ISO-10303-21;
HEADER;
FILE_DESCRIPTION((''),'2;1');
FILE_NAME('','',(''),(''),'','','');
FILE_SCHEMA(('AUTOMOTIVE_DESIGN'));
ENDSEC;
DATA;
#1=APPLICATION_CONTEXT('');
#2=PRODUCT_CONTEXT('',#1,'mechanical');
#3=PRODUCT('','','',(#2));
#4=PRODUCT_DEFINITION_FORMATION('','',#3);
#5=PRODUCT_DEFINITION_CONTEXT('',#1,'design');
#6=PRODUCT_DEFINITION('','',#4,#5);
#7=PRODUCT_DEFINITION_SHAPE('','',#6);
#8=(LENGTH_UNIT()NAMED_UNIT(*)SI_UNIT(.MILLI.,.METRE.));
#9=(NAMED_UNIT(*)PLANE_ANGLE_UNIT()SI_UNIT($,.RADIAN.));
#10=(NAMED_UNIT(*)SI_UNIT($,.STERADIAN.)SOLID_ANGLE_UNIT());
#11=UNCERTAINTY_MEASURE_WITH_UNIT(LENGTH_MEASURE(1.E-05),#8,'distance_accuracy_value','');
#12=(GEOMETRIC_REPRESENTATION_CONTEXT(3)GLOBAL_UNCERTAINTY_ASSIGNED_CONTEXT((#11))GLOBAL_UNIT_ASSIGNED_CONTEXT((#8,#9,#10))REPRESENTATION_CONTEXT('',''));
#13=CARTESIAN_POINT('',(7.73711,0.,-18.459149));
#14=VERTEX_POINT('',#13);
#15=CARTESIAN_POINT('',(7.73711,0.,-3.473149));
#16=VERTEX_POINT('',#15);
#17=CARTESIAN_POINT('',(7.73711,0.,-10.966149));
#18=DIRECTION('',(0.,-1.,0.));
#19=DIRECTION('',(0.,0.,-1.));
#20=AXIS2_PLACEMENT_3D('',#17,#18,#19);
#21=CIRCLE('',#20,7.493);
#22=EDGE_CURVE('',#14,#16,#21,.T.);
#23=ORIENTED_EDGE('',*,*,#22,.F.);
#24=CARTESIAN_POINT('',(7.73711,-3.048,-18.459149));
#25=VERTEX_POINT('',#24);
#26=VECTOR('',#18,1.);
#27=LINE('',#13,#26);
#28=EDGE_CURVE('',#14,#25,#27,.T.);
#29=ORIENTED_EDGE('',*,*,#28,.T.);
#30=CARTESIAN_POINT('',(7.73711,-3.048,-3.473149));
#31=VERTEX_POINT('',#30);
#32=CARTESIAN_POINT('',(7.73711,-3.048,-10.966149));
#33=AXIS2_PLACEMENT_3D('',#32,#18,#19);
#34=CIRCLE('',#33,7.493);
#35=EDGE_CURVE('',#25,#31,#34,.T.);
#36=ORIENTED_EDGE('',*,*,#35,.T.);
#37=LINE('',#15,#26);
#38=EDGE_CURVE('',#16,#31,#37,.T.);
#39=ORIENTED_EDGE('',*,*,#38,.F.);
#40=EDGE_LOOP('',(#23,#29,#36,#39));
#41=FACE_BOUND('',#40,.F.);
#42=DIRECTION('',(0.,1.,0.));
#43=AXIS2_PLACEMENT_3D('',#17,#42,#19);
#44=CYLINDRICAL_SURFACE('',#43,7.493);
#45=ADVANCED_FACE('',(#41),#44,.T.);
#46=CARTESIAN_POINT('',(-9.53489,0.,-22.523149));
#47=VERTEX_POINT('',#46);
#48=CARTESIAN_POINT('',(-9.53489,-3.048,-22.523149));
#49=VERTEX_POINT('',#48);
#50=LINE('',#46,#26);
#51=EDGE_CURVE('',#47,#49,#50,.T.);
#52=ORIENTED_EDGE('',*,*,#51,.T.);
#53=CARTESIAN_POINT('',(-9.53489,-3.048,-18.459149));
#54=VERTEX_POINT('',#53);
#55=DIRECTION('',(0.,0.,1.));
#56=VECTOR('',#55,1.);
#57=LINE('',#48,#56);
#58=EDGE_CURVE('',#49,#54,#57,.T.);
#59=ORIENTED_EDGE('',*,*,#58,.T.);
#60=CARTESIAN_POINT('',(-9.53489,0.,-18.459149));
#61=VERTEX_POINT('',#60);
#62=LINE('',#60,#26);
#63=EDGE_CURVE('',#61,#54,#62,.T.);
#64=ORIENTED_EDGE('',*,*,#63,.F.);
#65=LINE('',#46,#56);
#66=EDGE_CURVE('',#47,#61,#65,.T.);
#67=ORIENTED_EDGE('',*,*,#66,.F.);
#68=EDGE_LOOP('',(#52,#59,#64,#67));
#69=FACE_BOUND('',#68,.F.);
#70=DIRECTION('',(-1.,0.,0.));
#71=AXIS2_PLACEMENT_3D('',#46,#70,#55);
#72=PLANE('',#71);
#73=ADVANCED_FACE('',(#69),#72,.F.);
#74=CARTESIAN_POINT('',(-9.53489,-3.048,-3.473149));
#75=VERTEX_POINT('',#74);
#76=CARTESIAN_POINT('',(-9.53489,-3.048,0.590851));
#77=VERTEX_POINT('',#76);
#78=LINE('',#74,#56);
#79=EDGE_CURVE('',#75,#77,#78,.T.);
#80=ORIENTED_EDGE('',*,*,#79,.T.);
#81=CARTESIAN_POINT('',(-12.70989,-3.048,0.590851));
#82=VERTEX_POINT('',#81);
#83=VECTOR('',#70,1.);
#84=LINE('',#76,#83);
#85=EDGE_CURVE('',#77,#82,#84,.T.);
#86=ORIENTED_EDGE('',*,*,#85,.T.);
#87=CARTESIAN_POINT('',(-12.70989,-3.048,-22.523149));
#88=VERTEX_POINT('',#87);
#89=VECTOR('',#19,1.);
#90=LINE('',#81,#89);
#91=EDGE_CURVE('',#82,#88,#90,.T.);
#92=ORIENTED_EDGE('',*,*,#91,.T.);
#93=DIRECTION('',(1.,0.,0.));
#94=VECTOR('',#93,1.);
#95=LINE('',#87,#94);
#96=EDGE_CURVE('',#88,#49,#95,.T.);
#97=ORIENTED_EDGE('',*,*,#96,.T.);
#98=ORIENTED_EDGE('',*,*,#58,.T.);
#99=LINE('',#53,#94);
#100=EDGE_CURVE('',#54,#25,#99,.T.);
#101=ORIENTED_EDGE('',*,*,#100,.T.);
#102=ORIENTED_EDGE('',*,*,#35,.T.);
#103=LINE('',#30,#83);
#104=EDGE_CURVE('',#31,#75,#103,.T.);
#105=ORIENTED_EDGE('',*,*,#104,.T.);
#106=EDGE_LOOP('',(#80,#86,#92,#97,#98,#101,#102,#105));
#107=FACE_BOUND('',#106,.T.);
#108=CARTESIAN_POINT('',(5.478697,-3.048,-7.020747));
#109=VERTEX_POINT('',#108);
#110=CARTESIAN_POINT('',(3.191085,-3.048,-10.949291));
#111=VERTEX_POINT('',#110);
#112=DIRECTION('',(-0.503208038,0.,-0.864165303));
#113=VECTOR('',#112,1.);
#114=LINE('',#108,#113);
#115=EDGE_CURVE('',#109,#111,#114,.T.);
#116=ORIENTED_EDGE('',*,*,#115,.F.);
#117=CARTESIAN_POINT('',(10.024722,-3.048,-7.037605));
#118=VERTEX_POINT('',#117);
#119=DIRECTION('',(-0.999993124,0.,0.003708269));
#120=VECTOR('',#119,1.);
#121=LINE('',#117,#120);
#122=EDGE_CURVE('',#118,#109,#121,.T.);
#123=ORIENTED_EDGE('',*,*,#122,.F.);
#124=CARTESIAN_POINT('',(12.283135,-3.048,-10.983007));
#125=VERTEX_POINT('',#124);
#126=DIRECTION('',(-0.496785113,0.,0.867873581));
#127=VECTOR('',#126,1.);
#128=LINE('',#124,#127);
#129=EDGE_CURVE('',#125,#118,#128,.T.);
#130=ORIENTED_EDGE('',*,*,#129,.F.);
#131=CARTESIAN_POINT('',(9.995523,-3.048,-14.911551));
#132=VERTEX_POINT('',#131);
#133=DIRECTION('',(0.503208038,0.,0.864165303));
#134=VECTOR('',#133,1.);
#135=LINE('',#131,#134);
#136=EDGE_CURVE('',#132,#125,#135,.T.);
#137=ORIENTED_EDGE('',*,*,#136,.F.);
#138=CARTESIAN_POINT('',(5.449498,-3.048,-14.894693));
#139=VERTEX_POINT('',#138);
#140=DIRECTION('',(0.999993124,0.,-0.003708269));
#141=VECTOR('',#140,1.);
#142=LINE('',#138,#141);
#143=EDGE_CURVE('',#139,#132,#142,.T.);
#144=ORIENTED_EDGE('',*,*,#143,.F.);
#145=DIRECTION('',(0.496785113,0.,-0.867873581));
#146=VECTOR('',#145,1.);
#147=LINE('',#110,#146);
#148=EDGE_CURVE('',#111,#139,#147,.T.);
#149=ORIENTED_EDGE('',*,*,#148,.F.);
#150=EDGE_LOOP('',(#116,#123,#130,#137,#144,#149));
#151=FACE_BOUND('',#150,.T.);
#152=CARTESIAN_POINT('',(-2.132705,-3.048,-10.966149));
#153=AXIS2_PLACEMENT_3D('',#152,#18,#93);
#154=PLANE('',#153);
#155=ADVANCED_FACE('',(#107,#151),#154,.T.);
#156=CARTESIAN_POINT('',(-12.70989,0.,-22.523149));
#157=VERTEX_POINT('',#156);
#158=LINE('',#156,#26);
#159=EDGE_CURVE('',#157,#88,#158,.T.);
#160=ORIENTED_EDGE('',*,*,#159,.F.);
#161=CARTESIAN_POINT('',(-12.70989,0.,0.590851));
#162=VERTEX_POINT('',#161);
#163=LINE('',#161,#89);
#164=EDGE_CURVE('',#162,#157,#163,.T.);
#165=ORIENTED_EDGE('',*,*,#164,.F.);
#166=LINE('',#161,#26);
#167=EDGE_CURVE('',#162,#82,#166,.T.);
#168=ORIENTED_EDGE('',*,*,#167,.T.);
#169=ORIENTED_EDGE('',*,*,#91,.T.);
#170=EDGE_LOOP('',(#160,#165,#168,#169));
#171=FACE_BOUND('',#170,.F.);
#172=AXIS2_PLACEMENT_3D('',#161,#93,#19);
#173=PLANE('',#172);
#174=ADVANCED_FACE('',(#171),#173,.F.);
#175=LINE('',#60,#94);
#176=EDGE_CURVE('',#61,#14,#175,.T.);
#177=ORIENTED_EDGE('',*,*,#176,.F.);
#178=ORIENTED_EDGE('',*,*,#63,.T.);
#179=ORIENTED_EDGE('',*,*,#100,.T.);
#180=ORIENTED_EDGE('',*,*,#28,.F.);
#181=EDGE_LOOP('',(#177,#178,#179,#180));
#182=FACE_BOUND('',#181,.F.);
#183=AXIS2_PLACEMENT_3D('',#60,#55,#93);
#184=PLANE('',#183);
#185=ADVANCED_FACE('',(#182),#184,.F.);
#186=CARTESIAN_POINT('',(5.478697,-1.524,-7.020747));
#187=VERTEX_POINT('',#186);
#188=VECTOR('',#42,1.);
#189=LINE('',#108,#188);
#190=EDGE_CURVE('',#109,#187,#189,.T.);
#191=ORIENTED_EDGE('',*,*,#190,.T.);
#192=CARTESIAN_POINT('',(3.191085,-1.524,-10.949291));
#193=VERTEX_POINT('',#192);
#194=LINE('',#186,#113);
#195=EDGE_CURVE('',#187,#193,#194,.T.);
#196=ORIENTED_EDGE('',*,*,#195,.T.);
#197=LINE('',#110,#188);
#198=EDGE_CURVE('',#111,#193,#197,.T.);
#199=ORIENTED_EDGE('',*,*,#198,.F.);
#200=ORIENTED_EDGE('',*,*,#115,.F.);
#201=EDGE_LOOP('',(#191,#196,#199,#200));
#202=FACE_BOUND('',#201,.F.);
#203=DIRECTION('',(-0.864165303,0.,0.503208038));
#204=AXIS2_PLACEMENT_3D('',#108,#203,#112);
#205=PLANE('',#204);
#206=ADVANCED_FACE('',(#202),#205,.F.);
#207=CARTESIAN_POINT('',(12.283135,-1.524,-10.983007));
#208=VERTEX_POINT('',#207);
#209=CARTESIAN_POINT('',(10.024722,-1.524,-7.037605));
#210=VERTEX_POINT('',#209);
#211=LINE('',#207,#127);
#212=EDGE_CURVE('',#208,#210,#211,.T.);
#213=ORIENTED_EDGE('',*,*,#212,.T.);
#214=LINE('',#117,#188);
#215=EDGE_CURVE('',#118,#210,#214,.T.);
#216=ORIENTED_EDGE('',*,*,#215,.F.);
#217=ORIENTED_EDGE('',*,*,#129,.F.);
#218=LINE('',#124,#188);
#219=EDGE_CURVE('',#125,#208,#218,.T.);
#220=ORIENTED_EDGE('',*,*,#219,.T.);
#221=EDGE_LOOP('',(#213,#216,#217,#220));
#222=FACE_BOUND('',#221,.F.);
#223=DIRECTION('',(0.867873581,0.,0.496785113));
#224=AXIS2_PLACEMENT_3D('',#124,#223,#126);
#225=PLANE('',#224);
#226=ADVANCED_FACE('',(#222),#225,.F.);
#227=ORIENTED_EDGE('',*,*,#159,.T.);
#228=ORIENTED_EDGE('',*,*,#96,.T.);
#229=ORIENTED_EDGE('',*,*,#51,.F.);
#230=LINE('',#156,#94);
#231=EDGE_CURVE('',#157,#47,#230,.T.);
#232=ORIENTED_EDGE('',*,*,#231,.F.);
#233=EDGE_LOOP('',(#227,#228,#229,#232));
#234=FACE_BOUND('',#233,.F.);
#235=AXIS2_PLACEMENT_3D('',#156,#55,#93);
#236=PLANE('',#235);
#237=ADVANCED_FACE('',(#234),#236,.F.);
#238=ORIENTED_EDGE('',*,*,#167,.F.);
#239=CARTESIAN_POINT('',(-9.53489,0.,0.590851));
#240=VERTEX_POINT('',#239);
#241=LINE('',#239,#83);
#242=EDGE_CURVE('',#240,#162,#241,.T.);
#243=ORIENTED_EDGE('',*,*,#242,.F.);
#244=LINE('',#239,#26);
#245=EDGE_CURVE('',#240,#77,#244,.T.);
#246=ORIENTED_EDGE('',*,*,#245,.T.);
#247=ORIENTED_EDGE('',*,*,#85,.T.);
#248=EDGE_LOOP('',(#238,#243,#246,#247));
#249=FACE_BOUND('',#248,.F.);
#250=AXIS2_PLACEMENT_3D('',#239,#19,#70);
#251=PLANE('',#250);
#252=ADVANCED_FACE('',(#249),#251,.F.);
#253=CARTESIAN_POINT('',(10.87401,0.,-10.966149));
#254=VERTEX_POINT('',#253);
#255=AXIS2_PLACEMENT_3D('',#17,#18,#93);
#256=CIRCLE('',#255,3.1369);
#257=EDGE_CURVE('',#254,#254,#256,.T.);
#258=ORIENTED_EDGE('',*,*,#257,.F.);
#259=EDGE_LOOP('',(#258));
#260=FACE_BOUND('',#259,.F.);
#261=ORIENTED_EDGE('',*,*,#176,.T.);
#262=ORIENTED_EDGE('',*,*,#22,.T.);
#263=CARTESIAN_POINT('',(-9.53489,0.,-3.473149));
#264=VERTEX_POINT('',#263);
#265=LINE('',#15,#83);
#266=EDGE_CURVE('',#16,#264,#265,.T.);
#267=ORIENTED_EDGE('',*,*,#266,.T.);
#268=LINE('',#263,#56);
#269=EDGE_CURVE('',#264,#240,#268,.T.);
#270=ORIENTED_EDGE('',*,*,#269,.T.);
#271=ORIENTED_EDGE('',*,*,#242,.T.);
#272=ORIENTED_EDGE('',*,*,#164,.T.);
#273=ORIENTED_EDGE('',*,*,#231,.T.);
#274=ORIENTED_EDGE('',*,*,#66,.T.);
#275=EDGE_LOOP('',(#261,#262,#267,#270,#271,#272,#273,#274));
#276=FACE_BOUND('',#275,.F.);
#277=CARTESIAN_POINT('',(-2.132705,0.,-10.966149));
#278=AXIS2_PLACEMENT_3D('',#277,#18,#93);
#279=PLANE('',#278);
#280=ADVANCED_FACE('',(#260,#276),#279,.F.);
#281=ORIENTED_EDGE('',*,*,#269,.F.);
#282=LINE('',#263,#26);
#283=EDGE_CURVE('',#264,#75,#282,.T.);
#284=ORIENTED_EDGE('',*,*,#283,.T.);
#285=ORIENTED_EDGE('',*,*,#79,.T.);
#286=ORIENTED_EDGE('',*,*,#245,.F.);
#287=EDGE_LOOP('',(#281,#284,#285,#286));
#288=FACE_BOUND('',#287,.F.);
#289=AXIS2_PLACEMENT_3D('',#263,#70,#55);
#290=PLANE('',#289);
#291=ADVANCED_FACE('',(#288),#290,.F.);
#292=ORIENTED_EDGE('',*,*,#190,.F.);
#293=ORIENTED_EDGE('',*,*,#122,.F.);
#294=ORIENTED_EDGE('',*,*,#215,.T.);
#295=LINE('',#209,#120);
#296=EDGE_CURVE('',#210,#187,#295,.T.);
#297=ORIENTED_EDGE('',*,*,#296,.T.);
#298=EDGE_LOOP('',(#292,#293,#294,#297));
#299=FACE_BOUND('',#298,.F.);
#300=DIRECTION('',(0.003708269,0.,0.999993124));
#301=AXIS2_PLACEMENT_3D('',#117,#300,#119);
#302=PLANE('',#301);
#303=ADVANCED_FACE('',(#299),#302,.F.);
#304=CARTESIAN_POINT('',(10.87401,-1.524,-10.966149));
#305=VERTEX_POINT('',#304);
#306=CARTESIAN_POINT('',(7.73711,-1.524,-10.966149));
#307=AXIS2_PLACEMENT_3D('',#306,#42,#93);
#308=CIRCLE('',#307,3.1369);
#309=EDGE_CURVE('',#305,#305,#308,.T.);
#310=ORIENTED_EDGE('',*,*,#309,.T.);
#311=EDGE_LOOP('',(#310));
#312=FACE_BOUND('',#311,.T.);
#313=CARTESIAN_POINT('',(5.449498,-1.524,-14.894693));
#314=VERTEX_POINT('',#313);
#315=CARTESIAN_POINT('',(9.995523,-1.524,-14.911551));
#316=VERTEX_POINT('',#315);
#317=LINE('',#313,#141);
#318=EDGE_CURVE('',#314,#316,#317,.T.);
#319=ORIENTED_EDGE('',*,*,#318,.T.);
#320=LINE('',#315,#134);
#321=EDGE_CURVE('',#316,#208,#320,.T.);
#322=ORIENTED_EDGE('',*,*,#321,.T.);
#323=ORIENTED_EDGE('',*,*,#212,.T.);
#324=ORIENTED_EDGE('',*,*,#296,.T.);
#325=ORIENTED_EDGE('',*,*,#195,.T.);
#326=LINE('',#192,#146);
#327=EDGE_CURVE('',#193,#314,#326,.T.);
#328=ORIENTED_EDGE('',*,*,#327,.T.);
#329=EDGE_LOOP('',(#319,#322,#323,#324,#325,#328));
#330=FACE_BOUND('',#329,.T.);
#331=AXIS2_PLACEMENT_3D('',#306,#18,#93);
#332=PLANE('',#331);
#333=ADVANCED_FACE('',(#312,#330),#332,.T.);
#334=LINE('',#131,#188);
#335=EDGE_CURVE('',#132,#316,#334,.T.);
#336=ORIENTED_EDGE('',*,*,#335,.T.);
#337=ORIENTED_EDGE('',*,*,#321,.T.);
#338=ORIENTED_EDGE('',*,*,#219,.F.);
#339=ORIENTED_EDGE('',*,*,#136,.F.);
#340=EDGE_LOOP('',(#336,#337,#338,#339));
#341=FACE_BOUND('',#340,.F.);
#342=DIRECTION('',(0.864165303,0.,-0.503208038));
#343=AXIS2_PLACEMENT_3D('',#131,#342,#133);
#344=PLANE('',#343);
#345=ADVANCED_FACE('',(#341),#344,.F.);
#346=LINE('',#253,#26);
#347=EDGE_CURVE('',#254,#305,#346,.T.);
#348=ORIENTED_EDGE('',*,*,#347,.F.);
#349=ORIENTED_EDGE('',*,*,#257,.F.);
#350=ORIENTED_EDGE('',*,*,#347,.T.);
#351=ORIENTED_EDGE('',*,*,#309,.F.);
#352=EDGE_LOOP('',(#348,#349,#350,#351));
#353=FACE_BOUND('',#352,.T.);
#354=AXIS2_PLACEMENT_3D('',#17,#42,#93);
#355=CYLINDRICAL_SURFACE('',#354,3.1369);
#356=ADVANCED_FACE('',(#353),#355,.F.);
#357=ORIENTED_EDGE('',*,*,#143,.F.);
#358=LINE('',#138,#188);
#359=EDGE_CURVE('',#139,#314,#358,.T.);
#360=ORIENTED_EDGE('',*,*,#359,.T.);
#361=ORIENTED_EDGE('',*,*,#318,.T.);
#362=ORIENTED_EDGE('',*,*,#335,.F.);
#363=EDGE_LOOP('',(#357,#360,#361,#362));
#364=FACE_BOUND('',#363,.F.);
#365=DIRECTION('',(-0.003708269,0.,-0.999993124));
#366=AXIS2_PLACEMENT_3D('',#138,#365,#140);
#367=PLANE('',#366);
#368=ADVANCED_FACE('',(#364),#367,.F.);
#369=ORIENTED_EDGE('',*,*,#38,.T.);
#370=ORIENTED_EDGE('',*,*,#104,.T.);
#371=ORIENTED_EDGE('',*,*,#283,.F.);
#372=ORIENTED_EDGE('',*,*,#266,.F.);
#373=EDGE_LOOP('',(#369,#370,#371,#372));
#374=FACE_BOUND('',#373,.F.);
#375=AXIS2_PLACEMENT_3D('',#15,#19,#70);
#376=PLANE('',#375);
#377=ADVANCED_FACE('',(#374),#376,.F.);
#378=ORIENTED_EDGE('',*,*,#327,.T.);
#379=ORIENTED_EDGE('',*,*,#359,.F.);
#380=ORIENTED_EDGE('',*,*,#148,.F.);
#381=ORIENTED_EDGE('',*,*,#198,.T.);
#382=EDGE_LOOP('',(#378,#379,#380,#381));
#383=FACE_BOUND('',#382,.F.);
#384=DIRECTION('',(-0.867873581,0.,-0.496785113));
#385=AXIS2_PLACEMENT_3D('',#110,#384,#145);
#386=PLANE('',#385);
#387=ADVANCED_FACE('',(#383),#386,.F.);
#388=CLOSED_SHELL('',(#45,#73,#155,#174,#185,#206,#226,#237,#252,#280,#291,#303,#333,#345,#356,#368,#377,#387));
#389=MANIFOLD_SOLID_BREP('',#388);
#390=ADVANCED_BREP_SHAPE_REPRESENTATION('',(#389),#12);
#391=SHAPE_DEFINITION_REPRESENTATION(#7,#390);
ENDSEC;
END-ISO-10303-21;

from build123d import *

# Parameters (mm, degrees)
F0_R     = 3.1369
F1_DEPTH = 3.048
F3_DEPTH = 1.524


with BuildPart() as f1:
    # F0 (on Front) → F1 (new body)
    with BuildSketch(Plane.XZ):
        with BuildLine():
            Line((-9.53489, 0.590851), (-12.70989, 0.590851))
            Line((-12.70989, 0.590851), (-12.70989, -22.523149))
            Line((-12.70989, -22.523149), (-9.53489, -22.523149))
            Line((-9.53489, -22.523149), (-9.53489, -18.459149))
            Line((-9.53489, -18.459149), (7.73711, -18.459149))
            ThreePointArc((7.73711, -18.459149), (15.23011, -10.966149), (7.73711, -3.473149))
            Line((7.73711, -3.473149), (-9.53489, -3.473149))
            Line((-9.53489, -3.473149), (-9.53489, 0.590851))
        make_face()
        with Locations((7.73711, -10.966149)):
            Circle(F0_R, mode=Mode.SUBTRACT)
    extrude(amount=F1_DEPTH)

    # F2 (on face) → F3 (cut)
    with BuildSketch(Plane.XZ.offset(3.048)):
        Polygon((5.478697, -7.020747), (3.191085, -10.949291), (5.449498, -14.894693), (9.995523, -14.911551), (12.283135, -10.983007), (10.024722, -7.037605), align=None)
    extrude(amount=-F3_DEPTH, mode=Mode.SUBTRACT)


solid = f1.part
